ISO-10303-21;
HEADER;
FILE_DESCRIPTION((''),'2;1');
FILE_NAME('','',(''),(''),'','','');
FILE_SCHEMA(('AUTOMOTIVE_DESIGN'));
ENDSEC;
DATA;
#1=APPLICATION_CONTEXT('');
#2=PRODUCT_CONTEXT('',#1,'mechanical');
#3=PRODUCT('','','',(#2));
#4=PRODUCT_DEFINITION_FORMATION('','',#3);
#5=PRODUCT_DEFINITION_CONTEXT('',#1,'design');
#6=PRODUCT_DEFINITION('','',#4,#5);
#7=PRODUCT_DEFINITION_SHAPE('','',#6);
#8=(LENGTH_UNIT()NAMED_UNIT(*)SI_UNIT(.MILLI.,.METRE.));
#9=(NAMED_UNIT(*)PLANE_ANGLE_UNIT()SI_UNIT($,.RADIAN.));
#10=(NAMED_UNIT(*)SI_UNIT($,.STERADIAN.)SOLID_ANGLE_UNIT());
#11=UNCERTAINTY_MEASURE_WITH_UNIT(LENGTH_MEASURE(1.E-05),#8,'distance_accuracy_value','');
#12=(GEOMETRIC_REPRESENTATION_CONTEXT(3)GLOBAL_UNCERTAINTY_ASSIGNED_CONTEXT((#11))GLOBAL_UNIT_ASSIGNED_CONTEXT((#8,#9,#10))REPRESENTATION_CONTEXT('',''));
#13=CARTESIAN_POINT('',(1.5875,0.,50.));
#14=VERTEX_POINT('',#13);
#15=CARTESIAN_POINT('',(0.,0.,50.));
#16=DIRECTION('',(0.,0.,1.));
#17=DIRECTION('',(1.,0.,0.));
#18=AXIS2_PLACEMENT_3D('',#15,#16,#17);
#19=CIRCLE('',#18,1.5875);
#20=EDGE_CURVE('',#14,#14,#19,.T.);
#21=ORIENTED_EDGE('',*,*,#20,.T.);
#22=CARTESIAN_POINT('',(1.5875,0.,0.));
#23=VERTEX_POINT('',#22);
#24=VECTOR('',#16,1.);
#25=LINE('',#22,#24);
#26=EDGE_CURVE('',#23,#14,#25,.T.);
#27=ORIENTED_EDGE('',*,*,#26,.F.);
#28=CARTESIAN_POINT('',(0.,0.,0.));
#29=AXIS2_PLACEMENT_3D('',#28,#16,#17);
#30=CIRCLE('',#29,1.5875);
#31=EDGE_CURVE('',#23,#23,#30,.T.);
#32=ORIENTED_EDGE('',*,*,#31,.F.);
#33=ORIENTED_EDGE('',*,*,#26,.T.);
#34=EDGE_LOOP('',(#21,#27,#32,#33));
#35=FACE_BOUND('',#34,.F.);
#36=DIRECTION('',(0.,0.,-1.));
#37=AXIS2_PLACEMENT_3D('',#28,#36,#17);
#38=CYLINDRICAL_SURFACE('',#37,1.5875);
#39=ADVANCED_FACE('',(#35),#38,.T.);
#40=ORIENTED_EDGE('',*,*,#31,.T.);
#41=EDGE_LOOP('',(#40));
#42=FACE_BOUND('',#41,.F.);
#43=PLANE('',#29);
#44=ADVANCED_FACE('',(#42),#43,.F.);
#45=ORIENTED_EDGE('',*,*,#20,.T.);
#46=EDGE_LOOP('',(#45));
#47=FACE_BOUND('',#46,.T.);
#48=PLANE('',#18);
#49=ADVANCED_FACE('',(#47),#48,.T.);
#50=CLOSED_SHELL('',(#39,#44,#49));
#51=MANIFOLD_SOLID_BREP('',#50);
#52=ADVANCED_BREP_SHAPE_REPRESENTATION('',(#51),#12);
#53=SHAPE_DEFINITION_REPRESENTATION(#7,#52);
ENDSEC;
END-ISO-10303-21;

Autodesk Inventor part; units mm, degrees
ref_plane "YZ Plane" through (0, 0, 0) normal (1, 0, 0) x (0, 1, 0)
ref_plane "Start Plane" through (0, 0, 0) normal (0, 0, 1) x (1, 0, 0)
ref_plane "End Plane" through (0, 0, 50) normal (0, 0, 1) x (1, 0, 0)
sketch "Sketch" plane through (0, 0, 0) normal (0, 0, 1) x (1, 0, 0)
  circle A0 centre (0, 0) radius 1.5875
  dimension "d0" = 3.175
extrude "Body" add sketch "Sketch" along normal up to surface (50 mm away) from surface at 0
sketch "Sketch2" plane through (0, 0, 0) normal (0, 0, 1) x (1, 0, 0)
  line L0 (0, 0) -> (10, 0)
ref_plane "Work Plane3" through (0, 0, 0) normal (0, -1, 0) x (1, 0, 0)
sketch "Sketch3" plane through (0, 0, 0) normal (0, -1, 0) x (1, 0, 0)
  line L0 (-2, 0) -> (12, 0)
  line L1 (-2, 50) -> (12, 50)
  dimension "d7" = 50
equation "\"d0\" = Diam"
equation "\"d1\" = G_L"
equation "\"Diam\" = 3.175"
equation "\"G_L\" = d7"
equation "\"G_OFFSET_START\" = 0"
equation "\"G_OFFSET_END\" = 0"
equation "\"d5\" = G_OFFSET_END + B_L"
equation "\"B_L\" = 50"
properties part number "ANSI/AISC Rolled Steel - 1/8-1,969, RB" material "Steel, Mild"
